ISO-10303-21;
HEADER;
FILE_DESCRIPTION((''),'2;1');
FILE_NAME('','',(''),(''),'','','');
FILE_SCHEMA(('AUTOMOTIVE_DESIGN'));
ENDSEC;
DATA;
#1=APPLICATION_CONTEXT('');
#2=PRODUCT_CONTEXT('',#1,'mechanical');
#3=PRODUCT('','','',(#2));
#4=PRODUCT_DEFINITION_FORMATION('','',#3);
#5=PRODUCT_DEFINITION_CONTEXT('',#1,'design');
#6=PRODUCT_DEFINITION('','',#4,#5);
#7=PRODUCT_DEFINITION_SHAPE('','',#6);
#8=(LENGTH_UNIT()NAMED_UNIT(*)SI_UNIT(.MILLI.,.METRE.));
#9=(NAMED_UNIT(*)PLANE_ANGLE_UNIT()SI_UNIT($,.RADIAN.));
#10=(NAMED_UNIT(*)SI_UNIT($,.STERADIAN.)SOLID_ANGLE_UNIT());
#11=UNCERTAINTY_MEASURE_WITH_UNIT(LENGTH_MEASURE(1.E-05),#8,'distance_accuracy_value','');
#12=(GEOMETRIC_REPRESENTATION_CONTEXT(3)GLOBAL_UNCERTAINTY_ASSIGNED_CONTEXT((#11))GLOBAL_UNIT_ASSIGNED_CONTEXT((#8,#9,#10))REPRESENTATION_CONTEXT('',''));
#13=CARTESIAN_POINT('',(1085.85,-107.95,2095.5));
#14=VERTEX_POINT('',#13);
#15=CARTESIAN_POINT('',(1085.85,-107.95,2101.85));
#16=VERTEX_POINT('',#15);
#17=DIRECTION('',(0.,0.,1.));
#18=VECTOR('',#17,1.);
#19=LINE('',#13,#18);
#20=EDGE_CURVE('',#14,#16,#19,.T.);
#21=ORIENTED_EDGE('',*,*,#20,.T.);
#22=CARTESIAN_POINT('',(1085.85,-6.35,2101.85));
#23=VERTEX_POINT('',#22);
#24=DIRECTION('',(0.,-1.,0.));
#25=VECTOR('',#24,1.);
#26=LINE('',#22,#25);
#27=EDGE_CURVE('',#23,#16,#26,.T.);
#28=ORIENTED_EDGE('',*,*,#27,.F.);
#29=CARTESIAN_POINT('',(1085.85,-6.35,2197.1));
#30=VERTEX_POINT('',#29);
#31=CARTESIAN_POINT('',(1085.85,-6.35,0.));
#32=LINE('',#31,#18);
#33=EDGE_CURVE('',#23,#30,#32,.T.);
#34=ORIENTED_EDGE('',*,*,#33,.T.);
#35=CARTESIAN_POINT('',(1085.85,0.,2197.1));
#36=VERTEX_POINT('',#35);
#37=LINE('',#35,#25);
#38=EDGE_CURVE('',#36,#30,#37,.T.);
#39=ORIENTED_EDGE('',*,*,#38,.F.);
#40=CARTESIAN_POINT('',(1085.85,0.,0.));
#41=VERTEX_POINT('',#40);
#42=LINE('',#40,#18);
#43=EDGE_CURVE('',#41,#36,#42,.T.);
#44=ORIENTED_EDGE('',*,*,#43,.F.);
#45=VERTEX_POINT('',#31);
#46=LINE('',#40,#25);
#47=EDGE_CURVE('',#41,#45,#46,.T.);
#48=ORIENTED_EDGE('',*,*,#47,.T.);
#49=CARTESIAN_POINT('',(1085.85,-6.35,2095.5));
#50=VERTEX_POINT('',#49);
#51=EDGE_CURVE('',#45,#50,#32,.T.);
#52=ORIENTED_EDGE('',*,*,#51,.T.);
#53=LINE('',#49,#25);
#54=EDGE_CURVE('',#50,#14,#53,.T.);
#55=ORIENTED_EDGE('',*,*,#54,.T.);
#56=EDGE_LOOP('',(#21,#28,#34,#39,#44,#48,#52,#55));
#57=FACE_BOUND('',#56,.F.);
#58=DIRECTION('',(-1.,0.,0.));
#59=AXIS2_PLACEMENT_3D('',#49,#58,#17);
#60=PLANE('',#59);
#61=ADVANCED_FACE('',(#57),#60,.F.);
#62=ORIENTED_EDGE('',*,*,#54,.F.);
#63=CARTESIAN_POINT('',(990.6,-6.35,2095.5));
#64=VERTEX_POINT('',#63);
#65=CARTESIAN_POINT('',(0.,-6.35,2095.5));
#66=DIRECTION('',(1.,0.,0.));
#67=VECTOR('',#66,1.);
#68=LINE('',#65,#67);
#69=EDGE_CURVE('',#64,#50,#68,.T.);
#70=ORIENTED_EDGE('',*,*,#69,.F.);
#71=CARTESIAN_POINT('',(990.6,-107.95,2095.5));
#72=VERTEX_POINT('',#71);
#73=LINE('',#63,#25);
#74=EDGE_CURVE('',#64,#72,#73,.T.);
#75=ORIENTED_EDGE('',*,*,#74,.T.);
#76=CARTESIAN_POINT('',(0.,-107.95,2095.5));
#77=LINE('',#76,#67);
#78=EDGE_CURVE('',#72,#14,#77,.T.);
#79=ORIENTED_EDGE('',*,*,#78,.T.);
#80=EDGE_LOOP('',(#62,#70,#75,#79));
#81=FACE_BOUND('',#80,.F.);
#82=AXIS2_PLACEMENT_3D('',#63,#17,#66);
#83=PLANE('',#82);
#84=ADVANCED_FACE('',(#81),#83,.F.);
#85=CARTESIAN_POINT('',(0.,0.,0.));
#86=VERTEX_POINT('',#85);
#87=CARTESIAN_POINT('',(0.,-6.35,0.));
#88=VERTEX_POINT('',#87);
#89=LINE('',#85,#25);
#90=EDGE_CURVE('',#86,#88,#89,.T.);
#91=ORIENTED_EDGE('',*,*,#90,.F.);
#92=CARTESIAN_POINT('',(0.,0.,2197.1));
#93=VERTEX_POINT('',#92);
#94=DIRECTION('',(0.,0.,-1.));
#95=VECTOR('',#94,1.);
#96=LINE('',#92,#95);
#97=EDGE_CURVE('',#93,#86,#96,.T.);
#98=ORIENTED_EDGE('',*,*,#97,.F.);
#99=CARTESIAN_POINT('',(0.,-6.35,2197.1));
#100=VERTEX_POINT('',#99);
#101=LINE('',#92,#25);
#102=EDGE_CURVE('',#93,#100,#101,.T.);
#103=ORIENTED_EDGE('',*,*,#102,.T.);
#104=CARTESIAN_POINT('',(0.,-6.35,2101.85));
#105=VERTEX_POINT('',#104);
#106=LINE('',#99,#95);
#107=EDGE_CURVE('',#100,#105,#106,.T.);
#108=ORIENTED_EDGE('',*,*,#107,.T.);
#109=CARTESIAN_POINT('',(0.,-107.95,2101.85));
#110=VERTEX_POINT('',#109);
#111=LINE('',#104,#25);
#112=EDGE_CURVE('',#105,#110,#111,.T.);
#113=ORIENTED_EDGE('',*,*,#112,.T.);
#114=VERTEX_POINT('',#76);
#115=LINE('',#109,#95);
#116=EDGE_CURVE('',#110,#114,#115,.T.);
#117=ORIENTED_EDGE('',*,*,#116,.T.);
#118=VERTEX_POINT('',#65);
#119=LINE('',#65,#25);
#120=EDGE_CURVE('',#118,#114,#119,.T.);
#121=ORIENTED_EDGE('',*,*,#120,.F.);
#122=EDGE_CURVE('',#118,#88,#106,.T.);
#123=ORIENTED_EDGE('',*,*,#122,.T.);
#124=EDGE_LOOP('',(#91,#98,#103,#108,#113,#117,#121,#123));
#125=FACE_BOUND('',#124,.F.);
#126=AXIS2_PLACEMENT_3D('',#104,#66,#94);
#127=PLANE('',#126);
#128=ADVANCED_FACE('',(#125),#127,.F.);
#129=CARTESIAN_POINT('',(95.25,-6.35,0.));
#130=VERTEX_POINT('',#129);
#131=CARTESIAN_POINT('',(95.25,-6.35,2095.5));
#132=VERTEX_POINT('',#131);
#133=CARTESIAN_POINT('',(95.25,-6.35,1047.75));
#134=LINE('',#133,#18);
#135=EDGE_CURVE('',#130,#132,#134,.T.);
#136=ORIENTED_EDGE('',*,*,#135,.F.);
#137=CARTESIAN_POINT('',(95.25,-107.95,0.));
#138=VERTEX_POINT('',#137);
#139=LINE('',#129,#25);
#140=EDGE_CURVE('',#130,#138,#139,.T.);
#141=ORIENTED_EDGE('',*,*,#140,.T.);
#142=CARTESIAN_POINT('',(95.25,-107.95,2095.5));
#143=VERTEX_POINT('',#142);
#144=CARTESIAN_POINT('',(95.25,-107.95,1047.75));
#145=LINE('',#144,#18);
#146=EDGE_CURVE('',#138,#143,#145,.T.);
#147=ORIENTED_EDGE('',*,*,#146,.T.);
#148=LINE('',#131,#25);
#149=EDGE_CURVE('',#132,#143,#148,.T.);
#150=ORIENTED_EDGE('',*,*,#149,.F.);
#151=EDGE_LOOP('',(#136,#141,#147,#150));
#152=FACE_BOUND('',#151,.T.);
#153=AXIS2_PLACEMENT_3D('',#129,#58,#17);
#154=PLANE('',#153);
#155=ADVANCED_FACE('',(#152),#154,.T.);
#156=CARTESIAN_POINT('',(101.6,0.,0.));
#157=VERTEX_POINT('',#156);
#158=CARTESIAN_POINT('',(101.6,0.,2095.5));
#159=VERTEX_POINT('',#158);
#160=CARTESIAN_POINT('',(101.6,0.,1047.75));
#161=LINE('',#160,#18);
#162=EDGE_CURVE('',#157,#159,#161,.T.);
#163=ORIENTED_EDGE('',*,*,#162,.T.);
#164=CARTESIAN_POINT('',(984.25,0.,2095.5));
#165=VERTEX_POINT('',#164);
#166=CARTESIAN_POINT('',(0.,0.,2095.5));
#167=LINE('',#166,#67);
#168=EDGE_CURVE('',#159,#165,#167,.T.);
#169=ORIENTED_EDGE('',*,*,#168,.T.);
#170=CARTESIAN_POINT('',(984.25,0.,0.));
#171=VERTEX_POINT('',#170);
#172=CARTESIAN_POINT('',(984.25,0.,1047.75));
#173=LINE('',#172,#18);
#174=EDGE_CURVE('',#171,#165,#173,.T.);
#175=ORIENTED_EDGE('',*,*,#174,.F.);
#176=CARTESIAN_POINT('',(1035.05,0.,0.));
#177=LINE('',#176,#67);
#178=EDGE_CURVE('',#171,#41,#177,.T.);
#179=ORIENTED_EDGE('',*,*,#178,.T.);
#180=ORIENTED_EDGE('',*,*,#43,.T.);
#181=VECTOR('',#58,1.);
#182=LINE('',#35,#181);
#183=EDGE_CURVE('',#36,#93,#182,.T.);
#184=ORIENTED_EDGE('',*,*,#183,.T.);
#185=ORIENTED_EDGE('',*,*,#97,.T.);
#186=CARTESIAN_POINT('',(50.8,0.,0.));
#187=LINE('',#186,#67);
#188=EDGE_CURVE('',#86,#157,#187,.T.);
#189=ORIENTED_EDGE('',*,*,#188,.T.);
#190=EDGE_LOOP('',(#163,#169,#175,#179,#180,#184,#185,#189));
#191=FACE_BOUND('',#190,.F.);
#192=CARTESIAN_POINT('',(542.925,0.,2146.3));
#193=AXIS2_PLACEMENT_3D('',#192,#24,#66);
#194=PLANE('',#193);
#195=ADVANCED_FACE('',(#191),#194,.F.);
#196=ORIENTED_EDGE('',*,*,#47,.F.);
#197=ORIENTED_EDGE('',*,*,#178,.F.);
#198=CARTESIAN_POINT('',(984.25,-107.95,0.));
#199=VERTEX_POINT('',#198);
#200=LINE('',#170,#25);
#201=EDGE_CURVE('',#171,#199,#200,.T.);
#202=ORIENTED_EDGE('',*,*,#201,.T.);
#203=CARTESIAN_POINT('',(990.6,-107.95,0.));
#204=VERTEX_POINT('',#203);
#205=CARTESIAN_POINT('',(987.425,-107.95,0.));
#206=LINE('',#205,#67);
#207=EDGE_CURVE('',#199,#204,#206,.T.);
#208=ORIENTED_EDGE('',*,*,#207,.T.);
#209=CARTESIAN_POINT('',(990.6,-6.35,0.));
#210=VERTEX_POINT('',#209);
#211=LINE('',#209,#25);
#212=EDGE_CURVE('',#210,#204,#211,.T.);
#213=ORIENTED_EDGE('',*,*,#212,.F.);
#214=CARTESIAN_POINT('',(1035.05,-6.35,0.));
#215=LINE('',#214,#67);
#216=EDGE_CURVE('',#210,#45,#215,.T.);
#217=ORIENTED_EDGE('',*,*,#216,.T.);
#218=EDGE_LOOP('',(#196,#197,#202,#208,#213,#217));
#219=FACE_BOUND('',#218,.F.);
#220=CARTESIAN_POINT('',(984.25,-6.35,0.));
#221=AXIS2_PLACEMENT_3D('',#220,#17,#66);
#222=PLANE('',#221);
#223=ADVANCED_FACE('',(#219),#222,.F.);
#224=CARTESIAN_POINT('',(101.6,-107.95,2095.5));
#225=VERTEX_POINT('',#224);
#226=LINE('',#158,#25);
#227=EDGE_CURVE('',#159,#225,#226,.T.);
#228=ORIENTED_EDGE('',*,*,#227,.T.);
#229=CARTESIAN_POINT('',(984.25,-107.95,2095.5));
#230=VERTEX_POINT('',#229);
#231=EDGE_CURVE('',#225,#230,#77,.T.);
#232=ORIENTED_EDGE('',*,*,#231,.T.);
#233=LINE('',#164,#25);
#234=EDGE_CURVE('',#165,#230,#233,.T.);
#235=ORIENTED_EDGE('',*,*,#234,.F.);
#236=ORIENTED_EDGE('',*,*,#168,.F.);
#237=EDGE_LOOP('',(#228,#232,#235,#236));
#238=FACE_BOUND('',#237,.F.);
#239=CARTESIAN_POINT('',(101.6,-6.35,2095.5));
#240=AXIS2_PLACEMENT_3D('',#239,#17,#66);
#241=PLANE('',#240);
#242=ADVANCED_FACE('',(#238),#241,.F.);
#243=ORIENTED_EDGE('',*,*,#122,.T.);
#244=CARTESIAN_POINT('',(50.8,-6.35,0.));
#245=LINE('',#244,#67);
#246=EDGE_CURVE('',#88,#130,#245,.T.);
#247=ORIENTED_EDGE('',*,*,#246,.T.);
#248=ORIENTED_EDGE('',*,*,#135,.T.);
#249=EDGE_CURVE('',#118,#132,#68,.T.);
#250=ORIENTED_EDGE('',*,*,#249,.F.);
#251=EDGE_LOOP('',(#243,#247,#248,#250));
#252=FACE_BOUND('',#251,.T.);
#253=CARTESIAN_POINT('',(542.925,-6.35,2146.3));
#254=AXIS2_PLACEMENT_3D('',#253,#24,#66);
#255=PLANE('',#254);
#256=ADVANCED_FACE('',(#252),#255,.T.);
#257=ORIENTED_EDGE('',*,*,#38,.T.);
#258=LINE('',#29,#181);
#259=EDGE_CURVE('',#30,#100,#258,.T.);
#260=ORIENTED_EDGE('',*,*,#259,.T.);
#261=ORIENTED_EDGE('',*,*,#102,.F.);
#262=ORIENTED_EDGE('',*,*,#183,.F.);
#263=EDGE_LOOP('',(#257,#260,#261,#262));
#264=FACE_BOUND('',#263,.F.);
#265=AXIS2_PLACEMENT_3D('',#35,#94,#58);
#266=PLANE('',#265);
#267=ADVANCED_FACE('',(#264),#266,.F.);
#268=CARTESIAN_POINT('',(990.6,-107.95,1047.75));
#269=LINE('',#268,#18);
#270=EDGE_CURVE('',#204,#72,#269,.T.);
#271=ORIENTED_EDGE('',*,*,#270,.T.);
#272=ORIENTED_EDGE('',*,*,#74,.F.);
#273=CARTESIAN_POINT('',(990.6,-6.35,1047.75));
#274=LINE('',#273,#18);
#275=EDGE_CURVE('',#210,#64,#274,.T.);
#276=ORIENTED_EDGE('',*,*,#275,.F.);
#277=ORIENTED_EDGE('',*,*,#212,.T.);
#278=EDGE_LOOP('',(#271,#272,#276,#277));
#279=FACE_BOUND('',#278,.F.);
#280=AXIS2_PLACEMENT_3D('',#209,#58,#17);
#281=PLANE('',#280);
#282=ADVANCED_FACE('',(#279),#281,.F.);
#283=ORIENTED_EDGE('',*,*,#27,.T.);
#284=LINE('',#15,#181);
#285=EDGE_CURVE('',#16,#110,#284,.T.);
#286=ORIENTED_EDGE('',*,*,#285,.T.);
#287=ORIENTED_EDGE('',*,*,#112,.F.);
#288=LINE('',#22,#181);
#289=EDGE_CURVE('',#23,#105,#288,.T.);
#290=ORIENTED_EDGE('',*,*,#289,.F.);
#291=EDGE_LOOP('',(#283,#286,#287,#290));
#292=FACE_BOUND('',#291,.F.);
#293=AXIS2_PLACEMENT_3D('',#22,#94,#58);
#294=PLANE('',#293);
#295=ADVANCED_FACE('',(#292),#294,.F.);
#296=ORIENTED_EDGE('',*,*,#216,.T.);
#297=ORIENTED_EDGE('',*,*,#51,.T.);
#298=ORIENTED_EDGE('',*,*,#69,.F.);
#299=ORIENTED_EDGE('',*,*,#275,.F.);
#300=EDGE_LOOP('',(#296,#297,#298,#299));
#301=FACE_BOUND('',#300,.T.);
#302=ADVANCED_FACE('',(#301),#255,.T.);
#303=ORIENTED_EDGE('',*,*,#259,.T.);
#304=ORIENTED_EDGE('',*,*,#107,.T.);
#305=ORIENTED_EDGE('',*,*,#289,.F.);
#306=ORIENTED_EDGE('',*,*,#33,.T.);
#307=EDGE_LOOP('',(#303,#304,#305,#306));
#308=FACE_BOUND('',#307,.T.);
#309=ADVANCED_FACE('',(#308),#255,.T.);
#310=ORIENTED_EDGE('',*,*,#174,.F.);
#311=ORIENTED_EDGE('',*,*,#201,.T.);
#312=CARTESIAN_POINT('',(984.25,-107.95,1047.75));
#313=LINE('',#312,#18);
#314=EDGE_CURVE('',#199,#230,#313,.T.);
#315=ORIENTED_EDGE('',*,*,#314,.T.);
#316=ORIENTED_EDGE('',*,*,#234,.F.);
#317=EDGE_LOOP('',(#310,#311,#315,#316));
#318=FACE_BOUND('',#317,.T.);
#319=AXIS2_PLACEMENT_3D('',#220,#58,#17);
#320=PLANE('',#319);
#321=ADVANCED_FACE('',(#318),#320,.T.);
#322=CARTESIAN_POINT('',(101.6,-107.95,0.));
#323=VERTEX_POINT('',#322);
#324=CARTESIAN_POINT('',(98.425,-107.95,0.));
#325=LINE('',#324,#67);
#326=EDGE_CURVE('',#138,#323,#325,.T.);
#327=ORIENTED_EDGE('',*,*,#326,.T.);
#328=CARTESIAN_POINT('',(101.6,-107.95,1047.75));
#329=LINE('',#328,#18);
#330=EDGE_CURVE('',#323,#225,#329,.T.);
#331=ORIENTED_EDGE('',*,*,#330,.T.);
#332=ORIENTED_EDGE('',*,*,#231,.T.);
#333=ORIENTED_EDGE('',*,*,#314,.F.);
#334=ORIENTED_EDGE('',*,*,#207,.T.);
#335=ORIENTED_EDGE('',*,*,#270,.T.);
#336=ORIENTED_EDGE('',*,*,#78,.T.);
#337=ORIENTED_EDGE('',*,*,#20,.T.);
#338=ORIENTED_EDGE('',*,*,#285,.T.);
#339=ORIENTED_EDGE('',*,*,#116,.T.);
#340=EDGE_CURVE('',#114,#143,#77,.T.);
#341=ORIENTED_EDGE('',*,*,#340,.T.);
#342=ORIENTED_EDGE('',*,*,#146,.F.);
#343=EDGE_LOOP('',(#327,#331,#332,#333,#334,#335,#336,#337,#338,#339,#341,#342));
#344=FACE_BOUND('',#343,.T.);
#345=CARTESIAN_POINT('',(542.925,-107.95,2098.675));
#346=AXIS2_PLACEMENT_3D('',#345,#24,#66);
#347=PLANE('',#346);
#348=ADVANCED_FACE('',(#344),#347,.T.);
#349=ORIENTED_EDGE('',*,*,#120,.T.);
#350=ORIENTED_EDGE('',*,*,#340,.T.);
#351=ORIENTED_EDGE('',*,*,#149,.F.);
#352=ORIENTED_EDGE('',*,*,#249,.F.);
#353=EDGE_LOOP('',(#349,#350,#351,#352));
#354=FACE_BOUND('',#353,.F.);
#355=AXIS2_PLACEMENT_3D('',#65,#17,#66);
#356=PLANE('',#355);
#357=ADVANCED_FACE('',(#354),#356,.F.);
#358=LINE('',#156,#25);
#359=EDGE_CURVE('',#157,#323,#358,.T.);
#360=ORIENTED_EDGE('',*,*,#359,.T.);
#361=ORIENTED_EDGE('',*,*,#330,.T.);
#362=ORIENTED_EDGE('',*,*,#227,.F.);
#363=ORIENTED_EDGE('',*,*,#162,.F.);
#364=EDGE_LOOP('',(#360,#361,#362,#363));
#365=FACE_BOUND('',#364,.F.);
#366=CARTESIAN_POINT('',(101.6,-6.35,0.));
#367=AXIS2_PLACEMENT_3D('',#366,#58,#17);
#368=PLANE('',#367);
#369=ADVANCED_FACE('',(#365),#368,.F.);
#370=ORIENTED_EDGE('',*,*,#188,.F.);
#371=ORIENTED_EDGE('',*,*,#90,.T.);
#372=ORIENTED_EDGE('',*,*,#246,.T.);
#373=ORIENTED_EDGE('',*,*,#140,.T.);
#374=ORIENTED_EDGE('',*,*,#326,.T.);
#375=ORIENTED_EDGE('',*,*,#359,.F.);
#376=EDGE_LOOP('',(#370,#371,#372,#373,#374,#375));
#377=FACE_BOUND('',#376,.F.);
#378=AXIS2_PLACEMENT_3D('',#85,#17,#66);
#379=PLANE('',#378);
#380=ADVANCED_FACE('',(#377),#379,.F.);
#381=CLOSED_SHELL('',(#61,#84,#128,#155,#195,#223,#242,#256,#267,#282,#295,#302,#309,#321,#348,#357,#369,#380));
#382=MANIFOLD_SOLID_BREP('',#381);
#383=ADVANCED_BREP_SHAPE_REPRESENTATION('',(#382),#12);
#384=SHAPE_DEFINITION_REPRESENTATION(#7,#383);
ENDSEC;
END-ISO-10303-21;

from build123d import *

# Parameters (mm, degrees)
F0_W     = 101.6
F0_H     = 2095.5
F1_DEPTH = 6.35
F2_W     = 6.35
F2_H     = 2095.5
F3_DEPTH = 101.6


with BuildPart() as f1:
    # F0 (on Front) → F1 (new body)
    with BuildSketch(Plane.XZ):
        Polygon((0, 2197.1), (0, 2095.5), (101.6, 2095.5), (984.25, 2095.5), (1085.85, 2095.5), (1085.85, 2197.1), align=None)
        with Locations((50.8, 1047.75)):
            Rectangle(F0_W, F0_H)
        with Locations((1035.05, 1047.75)):
            Rectangle(F0_W, F0_H)
    extrude(amount=F1_DEPTH)

    # F2 (on face) → F3 (join)
    with BuildSketch(Plane.XZ.offset(6.35)):
        Polygon((0, 2101.85), (0, 2095.5), (95.25, 2095.5), (101.6, 2095.5), (984.25, 2095.5), (990.6, 2095.5), (1085.85, 2095.5), (1085.85, 2101.85), align=None)
        with Locations((98.425, 1047.75)):
            Rectangle(F2_W, F2_H)
        with Locations((987.425, 1047.75)):
            Rectangle(F2_W, F2_H)
    extrude(amount=F3_DEPTH)


solid = f1.part
